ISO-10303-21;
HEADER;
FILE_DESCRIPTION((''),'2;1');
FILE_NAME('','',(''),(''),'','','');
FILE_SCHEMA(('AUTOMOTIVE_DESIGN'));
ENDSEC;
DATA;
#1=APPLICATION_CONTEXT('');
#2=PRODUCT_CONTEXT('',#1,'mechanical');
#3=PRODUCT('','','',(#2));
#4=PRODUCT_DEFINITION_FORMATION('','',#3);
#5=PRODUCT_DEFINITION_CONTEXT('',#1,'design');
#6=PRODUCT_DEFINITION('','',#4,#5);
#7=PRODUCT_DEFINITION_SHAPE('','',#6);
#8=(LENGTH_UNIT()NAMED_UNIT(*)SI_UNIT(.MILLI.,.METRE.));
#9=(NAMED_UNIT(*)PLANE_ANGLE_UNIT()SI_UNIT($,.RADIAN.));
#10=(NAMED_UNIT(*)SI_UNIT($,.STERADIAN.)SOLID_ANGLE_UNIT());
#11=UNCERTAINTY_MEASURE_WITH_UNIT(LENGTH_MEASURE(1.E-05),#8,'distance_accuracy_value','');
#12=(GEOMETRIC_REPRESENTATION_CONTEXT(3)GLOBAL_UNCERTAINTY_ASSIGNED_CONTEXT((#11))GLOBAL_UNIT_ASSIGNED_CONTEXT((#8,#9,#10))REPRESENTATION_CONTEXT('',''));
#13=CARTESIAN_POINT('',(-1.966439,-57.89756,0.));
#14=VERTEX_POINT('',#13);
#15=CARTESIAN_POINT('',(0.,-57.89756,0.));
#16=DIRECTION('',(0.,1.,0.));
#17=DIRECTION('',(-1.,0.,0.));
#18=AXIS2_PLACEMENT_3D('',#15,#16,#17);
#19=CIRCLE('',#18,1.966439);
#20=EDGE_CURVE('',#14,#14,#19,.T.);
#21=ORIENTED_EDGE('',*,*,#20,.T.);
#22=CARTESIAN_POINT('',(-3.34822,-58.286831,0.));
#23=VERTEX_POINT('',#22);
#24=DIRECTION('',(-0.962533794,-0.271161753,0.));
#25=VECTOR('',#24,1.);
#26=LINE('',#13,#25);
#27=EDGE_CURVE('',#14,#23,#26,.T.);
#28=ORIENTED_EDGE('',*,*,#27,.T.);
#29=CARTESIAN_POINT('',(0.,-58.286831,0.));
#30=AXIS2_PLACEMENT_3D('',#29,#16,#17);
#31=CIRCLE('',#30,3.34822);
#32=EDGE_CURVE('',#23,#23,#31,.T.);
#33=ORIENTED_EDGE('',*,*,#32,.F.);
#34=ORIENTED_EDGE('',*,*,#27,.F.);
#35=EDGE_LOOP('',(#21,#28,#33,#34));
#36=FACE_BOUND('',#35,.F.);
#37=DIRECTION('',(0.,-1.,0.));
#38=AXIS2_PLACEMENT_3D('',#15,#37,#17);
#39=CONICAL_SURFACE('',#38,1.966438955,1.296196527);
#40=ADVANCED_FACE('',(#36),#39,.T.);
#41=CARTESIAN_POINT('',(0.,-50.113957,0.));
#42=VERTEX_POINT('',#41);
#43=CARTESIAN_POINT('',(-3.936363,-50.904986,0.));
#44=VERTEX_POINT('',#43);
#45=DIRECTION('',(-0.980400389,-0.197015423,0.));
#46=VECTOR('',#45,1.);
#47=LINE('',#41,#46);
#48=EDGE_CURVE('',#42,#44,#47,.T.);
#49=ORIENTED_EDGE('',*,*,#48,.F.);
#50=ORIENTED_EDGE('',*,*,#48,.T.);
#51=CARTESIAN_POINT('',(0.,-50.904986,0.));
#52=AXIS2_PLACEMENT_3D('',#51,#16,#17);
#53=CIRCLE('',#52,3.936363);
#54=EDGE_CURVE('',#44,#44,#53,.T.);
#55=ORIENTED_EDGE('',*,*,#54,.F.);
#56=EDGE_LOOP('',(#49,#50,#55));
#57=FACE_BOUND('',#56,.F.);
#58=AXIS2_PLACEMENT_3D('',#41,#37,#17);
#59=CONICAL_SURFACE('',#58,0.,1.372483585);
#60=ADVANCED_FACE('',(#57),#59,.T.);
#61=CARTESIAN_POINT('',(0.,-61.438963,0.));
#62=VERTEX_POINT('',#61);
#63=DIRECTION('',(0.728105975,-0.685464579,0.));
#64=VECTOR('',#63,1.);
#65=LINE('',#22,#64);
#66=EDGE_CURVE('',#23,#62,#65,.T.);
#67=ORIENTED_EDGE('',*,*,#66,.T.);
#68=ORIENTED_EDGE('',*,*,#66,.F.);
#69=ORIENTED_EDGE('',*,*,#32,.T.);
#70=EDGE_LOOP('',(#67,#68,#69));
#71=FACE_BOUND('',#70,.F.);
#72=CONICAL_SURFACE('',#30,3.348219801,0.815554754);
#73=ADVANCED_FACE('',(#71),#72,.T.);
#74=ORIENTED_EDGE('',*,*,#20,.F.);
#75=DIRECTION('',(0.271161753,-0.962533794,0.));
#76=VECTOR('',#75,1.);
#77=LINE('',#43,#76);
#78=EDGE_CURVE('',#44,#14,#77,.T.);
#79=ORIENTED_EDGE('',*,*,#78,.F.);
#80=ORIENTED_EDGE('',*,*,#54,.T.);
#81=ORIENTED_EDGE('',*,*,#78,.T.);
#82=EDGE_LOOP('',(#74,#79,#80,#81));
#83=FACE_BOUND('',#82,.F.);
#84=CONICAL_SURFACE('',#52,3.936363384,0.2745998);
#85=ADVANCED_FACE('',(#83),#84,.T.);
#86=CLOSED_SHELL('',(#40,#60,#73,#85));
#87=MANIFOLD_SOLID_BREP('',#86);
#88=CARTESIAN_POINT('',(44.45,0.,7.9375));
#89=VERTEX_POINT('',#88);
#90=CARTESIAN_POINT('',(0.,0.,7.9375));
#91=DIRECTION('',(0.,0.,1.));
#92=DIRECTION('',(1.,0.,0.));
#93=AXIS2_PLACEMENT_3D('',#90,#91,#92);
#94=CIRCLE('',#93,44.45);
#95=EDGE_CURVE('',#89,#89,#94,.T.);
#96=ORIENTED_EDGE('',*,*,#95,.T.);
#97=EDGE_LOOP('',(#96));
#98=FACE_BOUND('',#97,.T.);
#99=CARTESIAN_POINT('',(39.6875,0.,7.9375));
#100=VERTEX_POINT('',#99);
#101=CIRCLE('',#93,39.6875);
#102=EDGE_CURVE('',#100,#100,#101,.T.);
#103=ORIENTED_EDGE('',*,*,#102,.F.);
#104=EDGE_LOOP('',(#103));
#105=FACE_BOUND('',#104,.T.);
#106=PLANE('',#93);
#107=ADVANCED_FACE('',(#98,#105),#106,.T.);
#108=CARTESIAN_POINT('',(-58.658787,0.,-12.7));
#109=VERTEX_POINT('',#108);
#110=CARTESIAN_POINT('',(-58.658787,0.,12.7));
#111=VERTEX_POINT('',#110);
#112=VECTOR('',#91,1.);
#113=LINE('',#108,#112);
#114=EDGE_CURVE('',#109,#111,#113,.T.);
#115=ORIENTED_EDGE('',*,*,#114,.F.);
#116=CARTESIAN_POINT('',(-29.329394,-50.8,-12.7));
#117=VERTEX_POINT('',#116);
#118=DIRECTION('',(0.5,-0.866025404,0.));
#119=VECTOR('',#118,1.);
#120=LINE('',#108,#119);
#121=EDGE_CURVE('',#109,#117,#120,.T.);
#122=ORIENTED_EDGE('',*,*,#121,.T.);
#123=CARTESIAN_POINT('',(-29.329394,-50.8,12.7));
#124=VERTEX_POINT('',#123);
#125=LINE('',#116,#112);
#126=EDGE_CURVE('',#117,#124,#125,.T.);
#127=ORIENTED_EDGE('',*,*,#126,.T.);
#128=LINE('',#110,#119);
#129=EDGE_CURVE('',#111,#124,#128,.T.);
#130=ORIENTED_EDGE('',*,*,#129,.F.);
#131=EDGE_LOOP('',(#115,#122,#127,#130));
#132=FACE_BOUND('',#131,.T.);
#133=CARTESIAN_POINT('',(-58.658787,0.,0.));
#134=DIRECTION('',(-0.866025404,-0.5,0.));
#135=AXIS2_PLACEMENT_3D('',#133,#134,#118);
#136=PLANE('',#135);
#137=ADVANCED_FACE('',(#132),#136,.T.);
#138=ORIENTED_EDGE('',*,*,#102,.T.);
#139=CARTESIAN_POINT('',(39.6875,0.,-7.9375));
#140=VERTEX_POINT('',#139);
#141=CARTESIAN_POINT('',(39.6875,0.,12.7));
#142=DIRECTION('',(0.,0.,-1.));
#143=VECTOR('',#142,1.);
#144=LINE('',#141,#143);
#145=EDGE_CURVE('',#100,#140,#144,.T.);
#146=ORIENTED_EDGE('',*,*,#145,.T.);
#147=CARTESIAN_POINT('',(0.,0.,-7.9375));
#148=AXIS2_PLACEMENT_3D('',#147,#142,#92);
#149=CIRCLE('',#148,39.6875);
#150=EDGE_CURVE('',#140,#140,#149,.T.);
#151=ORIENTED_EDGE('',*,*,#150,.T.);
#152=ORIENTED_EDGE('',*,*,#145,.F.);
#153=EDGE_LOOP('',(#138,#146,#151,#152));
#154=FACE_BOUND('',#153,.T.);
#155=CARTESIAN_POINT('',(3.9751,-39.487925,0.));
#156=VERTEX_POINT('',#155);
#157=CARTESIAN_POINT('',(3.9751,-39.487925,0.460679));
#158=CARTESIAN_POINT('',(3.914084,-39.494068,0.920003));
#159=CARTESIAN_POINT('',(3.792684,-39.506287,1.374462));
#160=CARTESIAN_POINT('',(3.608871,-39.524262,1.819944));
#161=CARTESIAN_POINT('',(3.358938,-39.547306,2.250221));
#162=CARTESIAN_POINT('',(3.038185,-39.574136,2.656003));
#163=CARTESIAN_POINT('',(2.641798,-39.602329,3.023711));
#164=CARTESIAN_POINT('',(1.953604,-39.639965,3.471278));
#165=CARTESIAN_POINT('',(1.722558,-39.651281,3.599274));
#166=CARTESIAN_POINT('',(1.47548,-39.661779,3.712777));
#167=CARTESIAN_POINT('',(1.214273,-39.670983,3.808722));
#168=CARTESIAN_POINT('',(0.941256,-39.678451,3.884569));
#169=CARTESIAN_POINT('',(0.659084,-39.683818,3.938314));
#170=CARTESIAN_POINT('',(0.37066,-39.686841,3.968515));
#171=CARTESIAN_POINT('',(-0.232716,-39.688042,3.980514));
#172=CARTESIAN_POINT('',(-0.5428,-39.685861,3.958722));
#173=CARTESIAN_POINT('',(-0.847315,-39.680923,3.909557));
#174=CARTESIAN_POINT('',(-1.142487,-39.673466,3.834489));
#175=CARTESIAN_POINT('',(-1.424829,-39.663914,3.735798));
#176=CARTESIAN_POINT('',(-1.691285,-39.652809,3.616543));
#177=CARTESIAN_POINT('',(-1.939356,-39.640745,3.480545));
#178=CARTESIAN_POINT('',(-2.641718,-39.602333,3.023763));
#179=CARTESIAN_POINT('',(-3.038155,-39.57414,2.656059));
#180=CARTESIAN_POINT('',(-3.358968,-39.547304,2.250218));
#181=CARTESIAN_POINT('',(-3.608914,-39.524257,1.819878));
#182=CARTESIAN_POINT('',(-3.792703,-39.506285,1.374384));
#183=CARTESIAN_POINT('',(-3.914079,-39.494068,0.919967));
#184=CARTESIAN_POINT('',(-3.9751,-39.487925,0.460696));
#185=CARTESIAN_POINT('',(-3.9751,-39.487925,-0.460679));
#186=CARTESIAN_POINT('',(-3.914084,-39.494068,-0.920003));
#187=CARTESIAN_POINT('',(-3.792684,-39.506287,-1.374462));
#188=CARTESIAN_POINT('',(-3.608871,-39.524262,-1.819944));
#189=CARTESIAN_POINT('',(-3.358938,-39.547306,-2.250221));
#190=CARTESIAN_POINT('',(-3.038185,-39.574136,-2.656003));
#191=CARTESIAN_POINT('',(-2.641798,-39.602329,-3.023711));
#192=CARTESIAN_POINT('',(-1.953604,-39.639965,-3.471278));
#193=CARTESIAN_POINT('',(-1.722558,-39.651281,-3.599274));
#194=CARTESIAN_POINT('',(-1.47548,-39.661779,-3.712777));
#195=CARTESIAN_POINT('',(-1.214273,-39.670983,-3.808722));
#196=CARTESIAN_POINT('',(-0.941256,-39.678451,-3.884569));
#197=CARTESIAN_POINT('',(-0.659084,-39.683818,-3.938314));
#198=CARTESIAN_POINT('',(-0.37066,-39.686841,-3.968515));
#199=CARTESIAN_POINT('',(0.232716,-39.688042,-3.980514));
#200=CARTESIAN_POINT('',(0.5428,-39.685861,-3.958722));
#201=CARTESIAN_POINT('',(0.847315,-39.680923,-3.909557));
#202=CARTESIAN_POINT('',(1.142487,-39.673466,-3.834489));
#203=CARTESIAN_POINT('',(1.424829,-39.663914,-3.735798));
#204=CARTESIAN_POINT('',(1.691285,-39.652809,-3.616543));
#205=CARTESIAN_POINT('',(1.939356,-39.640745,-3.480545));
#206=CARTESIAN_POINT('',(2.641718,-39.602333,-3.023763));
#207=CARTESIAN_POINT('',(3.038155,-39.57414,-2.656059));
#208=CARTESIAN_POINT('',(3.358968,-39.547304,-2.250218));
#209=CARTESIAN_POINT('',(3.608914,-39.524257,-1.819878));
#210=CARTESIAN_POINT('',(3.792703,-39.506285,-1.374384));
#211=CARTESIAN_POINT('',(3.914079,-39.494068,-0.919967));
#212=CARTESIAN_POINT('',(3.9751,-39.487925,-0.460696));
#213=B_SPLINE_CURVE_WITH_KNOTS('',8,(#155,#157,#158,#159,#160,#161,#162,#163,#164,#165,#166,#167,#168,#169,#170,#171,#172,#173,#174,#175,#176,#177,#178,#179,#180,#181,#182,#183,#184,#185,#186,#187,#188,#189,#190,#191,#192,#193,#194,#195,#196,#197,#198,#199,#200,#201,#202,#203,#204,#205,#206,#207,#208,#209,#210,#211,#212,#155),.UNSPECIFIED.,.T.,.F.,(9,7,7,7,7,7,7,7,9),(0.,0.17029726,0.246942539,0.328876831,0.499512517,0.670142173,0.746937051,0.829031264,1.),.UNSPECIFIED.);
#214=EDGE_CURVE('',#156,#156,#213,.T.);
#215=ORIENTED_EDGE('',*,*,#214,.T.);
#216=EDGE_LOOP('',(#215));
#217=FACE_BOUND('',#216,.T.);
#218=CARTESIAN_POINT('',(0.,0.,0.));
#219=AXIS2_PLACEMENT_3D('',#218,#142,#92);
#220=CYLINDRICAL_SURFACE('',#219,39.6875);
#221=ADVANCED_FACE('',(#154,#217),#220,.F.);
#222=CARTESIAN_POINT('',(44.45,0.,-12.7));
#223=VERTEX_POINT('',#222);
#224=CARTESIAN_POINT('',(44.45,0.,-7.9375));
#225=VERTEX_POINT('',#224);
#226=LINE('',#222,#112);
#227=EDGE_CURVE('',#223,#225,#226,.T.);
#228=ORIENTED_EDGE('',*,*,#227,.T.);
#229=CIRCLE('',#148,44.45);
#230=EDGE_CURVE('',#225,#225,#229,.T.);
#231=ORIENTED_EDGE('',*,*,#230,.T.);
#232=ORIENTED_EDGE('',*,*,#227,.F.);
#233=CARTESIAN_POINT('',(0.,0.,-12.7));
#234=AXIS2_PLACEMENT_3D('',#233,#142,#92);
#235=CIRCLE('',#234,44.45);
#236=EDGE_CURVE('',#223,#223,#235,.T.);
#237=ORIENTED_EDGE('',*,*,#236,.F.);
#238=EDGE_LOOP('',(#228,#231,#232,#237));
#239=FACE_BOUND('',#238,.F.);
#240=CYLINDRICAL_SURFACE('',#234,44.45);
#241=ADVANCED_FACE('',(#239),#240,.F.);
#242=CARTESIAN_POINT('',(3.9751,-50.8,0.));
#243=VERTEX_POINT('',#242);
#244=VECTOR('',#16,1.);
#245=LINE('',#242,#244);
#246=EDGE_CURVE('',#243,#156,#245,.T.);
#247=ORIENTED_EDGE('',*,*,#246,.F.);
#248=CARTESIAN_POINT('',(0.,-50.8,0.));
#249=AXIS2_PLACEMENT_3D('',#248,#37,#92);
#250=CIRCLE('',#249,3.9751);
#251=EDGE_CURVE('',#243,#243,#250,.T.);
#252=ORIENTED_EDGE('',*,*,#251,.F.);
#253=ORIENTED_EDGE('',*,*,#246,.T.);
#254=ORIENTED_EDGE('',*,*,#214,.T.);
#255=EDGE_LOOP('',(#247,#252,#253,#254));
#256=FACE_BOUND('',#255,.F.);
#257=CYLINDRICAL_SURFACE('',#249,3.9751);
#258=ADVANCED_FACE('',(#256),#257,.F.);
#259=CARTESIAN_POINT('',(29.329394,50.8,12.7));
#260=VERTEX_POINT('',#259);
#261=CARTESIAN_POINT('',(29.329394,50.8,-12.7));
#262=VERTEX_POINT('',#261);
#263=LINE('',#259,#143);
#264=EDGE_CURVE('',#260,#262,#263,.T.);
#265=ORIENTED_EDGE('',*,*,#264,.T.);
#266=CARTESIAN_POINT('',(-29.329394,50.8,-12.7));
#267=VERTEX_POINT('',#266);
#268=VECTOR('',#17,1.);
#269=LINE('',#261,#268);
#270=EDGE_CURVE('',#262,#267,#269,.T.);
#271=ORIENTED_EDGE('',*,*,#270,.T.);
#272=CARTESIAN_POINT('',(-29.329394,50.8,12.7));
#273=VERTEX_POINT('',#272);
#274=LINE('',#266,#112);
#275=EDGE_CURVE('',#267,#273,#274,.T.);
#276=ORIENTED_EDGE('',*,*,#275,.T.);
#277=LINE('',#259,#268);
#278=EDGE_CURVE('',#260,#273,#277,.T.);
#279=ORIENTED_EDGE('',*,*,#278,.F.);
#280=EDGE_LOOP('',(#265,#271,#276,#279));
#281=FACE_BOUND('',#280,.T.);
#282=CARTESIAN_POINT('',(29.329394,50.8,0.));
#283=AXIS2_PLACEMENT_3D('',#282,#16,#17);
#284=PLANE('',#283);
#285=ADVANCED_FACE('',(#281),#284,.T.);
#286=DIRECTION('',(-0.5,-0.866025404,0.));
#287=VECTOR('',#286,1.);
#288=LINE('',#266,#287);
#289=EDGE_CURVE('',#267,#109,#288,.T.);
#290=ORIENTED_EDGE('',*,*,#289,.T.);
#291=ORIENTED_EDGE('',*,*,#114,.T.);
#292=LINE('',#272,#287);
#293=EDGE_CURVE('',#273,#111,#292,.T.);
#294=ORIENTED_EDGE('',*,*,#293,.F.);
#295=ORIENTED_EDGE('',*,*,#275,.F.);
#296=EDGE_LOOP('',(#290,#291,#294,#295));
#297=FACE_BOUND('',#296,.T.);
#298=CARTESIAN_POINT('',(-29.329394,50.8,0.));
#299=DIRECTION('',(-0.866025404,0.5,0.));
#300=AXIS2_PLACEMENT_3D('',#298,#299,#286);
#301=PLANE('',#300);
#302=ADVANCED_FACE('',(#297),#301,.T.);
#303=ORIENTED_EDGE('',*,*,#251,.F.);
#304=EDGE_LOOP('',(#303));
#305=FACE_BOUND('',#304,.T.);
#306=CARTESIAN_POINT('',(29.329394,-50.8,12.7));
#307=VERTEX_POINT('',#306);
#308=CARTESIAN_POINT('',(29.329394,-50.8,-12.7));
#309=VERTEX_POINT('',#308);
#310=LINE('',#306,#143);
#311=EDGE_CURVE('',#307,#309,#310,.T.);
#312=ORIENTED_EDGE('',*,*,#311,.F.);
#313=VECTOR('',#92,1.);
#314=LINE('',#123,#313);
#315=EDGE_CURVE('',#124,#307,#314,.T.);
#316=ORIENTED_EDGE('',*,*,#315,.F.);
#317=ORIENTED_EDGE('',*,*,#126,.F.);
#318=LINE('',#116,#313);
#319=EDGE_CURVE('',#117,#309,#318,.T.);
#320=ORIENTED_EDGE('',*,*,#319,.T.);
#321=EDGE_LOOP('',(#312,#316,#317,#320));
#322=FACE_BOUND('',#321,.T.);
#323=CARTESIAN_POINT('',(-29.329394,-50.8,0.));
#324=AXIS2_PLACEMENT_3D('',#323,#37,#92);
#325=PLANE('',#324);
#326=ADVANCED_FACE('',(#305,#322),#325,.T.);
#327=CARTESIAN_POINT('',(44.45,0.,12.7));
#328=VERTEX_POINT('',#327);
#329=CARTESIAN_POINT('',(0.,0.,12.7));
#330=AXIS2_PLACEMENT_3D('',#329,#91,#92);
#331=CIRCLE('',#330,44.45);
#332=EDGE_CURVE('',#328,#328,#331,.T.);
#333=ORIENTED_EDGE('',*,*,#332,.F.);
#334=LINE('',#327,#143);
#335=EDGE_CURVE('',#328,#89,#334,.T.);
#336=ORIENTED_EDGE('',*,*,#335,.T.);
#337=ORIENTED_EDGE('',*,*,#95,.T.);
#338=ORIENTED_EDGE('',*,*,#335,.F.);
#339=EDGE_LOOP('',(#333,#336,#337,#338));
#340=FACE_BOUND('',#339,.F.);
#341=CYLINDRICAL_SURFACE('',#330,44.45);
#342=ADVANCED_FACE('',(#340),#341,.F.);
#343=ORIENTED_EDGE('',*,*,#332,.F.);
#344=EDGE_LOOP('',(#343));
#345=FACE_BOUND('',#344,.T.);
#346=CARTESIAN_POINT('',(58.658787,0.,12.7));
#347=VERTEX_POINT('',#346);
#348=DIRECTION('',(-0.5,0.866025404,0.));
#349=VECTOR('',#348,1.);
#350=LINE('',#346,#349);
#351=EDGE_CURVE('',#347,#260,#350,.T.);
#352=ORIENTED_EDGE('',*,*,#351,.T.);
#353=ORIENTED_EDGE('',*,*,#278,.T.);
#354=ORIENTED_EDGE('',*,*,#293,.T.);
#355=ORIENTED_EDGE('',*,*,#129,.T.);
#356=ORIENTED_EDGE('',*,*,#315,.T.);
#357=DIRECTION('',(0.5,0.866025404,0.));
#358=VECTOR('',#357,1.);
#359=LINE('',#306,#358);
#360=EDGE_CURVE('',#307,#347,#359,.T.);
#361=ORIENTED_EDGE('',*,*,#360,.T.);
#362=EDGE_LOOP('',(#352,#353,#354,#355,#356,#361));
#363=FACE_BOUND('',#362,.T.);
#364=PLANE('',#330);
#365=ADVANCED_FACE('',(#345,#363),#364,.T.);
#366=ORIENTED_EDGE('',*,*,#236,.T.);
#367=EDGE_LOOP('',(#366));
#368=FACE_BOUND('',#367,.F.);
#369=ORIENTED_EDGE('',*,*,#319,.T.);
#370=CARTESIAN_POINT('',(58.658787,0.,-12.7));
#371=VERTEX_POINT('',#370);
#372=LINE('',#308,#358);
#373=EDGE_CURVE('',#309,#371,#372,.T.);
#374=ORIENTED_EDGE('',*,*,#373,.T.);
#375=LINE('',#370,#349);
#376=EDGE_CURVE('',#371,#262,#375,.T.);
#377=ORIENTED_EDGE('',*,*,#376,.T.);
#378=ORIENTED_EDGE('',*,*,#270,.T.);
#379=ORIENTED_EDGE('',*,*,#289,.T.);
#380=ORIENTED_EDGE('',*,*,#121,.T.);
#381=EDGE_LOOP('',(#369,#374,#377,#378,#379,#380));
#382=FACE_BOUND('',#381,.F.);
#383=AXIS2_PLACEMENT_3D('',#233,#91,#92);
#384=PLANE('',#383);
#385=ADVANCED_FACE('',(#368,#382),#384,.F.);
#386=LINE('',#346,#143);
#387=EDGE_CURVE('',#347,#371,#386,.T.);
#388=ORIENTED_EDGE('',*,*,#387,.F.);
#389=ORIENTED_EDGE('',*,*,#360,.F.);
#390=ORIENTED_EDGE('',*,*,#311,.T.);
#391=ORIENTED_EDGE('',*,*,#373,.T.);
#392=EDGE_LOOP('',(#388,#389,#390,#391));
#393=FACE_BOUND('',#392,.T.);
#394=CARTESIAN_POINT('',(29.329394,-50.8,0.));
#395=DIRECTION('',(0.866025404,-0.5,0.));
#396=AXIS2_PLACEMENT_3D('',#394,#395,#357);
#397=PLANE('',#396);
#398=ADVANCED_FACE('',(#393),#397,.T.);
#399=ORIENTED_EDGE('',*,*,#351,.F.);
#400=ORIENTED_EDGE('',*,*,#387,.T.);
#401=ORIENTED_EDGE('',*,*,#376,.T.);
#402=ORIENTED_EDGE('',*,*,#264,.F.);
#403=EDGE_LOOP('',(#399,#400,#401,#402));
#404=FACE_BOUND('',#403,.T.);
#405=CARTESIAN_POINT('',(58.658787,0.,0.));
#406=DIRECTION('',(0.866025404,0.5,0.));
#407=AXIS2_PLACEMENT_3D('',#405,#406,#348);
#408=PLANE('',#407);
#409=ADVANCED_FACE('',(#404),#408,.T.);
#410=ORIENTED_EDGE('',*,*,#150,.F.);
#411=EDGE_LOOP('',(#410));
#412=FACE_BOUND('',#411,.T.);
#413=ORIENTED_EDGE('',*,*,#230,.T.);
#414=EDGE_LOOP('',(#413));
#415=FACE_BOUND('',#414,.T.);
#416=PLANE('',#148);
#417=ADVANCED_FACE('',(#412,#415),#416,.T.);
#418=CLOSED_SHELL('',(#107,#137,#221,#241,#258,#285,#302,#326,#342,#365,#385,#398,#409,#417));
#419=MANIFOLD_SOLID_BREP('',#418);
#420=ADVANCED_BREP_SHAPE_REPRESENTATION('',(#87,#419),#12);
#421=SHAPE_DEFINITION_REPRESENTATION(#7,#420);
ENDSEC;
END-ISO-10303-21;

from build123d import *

# Parameters (mm, degrees)
F0_R     = 39.6875
F1_DEPTH = 12.7
F2_R     = 44.45
F2_R_2   = 39.6875
F3_DEPTH = 4.7625
F4_R     = 44.45
F4_R_2   = 39.6875
F5_DEPTH = 4.7625
F6_R     = 3.9751
F7_DEPTH = 11.3130749046


with BuildPart() as f1:
    # F0 (on Top) → F1 (new body, symmetric)
    with BuildSketch(Plane.XY):
        Polygon((29.3293936748, 50.8), (-29.3293936748, 50.8), (-58.6587873497, 0), (-29.3293936748, -50.8), (29.3293936748, -50.8), (58.6587873497, 0), align=None)
        Circle(F0_R, mode=Mode.SUBTRACT)
    extrude(amount=F1_DEPTH, both=True)

    # F2 (on face) → F3 (cut)
    with BuildSketch(Plane.XY.offset(12.7)):
        Circle(F2_R)
        Circle(F2_R_2, mode=Mode.SUBTRACT)
    extrude(amount=-F3_DEPTH, mode=Mode.SUBTRACT)

    # F4 (on face) → F5 (cut)
    with BuildSketch(Plane(origin=(0, 0, -12.7), x_dir=(1, 0, 0), z_dir=(0, 0, -1))):
        Circle(F4_R)
        Circle(F4_R_2, mode=Mode.SUBTRACT)
    extrude(amount=-F5_DEPTH, mode=Mode.SUBTRACT)

    # F6 (on face) → F7 (cut, through all)
    with BuildSketch(Plane.XZ.offset(50.8)):
        Circle(F6_R)
    extrude(amount=-F7_DEPTH, mode=Mode.SUBTRACT)


with BuildPart() as f9:
    # F8 (on Top) → F9 (revolve)
    with BuildSketch(Plane.XY):
        Polygon((0, -50.1139573753), (-3.9363633841, -50.9049855173), (-1.9664389547, -57.8975602984), (-3.3482198015, -58.2868309078), (0, -61.4389628172), align=None)
    revolve(axis=Axis((0, -55.7764600962, 0), (0, 1, 0)))


solid = Compound([f1.part, f9.part])
